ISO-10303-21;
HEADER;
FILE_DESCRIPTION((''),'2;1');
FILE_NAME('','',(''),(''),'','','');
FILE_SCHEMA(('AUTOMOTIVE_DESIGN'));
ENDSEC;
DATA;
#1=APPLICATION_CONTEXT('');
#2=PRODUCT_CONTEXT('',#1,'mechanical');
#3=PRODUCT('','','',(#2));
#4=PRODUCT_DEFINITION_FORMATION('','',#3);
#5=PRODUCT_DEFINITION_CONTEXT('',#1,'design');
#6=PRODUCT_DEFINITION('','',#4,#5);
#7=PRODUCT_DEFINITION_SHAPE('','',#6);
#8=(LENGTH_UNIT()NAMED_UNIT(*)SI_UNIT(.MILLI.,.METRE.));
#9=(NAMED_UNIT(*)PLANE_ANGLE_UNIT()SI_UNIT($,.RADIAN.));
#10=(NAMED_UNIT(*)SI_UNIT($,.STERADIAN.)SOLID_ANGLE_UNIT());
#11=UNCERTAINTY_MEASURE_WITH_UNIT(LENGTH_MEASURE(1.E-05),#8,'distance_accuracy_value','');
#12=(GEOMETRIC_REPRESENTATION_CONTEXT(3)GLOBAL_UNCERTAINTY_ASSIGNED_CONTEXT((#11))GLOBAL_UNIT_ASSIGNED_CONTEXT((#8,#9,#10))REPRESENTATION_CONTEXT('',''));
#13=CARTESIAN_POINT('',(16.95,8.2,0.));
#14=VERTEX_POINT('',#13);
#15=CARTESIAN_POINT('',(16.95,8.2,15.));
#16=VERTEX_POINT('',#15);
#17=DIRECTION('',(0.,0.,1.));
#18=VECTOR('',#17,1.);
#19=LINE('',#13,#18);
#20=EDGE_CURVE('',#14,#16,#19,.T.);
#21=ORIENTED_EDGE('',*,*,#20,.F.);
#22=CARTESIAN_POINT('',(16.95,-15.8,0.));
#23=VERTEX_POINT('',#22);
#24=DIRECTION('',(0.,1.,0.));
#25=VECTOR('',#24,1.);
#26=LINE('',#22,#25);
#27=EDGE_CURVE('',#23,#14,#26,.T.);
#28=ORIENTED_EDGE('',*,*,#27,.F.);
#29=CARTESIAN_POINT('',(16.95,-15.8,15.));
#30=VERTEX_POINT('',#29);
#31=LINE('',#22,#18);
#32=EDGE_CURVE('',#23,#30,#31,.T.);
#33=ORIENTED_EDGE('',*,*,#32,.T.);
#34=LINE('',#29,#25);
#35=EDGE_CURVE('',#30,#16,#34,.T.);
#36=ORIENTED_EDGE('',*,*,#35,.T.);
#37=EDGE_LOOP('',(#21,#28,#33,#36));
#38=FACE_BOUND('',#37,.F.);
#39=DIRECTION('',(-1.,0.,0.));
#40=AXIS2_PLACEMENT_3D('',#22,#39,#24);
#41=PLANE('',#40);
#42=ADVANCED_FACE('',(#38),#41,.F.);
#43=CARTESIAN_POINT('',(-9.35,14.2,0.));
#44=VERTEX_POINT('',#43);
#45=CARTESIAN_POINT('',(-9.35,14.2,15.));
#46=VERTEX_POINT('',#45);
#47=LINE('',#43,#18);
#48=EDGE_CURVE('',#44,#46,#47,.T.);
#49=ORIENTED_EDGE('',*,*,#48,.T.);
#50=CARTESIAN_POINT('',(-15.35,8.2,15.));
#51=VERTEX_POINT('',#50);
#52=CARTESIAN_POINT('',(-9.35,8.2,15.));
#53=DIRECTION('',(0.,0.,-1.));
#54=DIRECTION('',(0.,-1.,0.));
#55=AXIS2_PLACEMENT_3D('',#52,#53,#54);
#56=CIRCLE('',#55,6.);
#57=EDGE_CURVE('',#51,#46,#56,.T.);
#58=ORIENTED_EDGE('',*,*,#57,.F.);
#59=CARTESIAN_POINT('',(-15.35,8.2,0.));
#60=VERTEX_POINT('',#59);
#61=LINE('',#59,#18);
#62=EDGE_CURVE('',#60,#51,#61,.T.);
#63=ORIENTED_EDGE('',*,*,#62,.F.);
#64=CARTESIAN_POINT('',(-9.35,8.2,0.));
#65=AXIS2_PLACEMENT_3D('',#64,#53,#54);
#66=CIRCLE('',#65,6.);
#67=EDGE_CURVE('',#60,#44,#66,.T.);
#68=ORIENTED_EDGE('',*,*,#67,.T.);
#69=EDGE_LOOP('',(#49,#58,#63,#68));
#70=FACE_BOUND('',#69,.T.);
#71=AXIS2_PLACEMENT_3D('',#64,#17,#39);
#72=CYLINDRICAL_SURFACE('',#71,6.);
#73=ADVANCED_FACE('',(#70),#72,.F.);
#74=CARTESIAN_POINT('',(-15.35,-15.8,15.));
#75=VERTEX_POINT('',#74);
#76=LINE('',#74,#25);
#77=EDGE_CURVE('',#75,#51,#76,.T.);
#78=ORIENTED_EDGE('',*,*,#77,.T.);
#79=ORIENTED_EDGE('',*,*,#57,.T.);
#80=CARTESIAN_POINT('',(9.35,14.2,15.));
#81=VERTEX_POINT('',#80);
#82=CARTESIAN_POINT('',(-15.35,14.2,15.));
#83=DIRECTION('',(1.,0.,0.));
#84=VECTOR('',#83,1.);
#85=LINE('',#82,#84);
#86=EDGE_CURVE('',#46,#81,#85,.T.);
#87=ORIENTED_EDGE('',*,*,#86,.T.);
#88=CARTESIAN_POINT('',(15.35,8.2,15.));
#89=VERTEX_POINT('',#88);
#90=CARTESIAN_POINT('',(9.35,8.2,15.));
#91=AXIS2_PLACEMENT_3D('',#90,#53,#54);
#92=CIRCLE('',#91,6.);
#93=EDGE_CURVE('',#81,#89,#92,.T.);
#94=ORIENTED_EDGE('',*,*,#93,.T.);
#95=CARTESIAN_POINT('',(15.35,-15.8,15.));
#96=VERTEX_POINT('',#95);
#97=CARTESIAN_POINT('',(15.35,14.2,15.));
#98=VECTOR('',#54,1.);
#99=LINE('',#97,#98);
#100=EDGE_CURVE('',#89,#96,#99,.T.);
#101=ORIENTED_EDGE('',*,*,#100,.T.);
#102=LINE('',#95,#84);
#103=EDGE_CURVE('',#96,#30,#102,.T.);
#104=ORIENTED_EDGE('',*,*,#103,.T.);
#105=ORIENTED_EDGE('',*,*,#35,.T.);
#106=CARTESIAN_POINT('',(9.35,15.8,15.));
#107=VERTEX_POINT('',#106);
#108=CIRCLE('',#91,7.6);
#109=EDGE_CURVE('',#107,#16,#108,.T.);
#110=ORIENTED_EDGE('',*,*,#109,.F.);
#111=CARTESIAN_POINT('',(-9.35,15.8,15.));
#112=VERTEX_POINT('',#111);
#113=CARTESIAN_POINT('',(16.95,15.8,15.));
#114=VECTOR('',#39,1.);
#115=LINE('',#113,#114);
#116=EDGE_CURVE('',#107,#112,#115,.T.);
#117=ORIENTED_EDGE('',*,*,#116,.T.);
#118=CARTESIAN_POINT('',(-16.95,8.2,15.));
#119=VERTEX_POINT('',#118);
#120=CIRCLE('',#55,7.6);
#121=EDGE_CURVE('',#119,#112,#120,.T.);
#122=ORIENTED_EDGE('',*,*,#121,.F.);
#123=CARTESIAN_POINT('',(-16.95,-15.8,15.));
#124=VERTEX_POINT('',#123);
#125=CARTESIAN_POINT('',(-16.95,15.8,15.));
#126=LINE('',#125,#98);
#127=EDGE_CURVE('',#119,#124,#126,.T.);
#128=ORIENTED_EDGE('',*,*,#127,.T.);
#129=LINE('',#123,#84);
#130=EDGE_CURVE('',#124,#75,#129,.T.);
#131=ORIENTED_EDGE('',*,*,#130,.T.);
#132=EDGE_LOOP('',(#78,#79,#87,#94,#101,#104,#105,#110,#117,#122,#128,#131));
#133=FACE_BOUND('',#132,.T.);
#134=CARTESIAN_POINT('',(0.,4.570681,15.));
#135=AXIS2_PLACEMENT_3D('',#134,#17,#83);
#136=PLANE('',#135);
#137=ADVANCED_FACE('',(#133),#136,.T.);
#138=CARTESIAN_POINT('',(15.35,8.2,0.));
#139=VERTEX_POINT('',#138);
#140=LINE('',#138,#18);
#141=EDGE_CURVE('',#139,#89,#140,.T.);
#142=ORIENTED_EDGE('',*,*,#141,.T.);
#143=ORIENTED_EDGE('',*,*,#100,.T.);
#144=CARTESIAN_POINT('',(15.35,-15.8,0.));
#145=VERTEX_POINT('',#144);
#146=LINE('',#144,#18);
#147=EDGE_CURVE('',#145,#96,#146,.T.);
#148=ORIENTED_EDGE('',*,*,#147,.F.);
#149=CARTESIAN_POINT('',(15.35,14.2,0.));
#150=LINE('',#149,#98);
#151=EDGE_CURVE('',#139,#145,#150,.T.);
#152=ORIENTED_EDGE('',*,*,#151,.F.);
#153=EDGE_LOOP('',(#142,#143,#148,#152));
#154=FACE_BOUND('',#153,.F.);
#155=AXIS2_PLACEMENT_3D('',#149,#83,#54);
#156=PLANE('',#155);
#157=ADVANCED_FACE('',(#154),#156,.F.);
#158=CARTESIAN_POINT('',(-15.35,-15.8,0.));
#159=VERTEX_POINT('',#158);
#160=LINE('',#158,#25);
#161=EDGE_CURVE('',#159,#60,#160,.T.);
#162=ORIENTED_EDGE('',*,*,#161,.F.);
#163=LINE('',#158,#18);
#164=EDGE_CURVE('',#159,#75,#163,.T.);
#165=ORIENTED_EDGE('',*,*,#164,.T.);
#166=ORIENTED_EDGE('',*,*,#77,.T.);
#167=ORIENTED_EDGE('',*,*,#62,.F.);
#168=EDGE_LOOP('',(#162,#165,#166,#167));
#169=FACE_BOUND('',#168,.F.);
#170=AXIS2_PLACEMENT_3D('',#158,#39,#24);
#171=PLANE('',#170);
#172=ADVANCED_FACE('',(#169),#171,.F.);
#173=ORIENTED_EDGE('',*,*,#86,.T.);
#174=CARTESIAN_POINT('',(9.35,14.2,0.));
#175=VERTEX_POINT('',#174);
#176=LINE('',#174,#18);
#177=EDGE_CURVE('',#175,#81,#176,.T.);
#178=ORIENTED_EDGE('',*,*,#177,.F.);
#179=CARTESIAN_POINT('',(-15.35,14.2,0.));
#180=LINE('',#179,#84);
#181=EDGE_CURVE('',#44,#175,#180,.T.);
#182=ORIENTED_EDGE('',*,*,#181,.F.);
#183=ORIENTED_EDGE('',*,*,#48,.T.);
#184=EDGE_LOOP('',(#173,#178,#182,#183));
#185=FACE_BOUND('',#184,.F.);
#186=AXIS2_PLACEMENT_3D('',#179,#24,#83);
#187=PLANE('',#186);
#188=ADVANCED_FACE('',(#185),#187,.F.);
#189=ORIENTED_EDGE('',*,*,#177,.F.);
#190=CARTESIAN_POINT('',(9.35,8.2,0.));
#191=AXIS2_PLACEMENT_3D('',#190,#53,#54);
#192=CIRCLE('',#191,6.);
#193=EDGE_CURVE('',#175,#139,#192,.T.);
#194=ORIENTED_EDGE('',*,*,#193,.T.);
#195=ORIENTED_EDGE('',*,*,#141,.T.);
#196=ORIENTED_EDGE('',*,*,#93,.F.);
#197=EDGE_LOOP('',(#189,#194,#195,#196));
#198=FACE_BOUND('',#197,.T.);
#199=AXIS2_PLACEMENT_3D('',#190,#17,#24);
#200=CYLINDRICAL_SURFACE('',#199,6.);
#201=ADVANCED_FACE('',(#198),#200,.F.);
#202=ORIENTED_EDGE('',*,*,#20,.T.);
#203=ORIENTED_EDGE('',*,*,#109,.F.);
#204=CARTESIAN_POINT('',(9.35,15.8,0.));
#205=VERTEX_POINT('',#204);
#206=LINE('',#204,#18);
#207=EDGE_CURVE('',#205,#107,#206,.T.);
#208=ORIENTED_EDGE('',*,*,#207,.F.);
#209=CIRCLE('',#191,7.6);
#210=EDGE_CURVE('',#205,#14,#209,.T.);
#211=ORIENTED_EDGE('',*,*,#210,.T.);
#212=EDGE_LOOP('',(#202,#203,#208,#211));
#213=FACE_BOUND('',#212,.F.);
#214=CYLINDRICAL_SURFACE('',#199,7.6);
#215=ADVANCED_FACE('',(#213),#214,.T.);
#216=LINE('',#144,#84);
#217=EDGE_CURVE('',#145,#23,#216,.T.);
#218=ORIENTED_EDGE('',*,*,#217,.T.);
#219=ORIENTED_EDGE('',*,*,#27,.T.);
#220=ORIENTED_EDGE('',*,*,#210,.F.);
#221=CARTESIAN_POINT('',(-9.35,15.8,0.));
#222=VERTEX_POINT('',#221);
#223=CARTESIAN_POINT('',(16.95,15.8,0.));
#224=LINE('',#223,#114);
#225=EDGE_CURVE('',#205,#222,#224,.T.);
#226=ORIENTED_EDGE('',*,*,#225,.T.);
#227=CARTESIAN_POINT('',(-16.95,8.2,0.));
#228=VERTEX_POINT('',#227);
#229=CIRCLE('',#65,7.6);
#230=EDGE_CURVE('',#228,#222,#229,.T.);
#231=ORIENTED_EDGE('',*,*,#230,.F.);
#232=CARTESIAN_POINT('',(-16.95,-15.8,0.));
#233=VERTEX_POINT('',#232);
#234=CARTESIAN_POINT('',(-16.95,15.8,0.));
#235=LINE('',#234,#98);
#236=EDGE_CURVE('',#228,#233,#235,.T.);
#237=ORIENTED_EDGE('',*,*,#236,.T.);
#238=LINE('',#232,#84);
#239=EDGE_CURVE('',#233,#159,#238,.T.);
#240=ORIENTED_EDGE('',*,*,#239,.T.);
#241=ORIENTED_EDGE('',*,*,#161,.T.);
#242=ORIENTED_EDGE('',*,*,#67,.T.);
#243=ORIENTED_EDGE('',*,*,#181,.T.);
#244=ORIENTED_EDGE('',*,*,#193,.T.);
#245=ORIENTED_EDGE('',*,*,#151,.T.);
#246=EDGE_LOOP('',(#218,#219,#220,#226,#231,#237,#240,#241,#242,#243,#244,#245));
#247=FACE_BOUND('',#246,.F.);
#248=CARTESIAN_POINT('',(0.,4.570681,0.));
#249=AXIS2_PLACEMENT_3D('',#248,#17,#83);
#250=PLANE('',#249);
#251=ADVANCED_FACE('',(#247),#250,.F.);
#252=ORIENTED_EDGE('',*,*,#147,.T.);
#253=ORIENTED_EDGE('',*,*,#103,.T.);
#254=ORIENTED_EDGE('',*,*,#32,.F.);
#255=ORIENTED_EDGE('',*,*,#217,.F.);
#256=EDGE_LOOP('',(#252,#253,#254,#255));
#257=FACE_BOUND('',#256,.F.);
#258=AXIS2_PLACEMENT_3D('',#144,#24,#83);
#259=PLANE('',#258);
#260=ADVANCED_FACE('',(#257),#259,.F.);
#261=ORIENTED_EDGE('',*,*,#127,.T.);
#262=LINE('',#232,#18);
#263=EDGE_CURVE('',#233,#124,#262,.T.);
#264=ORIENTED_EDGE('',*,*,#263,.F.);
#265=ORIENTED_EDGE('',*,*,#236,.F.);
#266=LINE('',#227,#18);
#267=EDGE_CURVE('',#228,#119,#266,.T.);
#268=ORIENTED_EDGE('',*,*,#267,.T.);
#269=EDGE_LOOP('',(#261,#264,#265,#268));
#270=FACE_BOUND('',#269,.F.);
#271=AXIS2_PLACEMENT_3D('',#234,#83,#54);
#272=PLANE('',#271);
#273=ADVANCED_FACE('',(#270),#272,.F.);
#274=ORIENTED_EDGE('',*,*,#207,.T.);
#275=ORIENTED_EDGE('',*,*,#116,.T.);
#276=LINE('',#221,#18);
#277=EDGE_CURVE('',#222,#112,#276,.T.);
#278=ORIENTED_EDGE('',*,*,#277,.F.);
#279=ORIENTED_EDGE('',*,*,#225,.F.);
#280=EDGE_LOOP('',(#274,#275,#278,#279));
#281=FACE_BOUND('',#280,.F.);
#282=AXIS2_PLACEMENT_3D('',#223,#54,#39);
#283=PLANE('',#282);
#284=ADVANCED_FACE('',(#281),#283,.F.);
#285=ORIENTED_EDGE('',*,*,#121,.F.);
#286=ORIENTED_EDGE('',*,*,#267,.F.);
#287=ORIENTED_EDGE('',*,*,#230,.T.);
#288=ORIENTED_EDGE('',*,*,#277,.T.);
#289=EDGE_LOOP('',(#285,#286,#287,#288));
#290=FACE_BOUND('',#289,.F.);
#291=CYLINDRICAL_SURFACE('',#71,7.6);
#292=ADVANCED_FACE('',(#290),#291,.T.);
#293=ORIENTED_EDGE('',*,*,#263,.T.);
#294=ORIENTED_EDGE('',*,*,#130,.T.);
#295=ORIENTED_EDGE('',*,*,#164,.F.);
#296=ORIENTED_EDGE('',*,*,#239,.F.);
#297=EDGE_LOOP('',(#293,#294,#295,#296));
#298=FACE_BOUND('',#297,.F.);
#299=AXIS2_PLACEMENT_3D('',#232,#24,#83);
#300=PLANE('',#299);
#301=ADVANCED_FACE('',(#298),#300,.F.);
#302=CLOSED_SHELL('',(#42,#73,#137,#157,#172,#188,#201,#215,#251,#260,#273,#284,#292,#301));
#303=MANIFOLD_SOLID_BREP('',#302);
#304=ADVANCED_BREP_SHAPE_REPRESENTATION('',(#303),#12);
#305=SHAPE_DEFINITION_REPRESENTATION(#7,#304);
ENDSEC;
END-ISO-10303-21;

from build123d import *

# Parameters (mm, degrees)
F1_DEPTH = 15
F2_R     = 6
F3_R     = 7.6


with BuildPart() as f1:
    # F0 (on Top) → F1 (new body)
    with BuildSketch(Plane.XY):
        Polygon((-16.95, -15.8), (-15.35, -15.8), (-15.35, 14.2), (15.35, 14.2), (15.35, -15.8), (16.95, -15.8), (16.95, 15.8), (-16.95, 15.8), align=None)
    extrude(amount=F1_DEPTH)

    # F2
    f2_edges = [f1.edges().sort_by_distance(p)[0] for p in [
        (-15.35, 14.2, 7.5),
        (15.35, 14.2, 7.5),
    ]]
    fillet(f2_edges, radius=F2_R)

    # F3
    f3_edges = [f1.edges().sort_by_distance(p)[0] for p in [
        (-16.95, 15.8, 7.5),
        (16.95, 15.8, 7.5),
    ]]
    fillet(f3_edges, radius=F3_R)


solid = f1.part
